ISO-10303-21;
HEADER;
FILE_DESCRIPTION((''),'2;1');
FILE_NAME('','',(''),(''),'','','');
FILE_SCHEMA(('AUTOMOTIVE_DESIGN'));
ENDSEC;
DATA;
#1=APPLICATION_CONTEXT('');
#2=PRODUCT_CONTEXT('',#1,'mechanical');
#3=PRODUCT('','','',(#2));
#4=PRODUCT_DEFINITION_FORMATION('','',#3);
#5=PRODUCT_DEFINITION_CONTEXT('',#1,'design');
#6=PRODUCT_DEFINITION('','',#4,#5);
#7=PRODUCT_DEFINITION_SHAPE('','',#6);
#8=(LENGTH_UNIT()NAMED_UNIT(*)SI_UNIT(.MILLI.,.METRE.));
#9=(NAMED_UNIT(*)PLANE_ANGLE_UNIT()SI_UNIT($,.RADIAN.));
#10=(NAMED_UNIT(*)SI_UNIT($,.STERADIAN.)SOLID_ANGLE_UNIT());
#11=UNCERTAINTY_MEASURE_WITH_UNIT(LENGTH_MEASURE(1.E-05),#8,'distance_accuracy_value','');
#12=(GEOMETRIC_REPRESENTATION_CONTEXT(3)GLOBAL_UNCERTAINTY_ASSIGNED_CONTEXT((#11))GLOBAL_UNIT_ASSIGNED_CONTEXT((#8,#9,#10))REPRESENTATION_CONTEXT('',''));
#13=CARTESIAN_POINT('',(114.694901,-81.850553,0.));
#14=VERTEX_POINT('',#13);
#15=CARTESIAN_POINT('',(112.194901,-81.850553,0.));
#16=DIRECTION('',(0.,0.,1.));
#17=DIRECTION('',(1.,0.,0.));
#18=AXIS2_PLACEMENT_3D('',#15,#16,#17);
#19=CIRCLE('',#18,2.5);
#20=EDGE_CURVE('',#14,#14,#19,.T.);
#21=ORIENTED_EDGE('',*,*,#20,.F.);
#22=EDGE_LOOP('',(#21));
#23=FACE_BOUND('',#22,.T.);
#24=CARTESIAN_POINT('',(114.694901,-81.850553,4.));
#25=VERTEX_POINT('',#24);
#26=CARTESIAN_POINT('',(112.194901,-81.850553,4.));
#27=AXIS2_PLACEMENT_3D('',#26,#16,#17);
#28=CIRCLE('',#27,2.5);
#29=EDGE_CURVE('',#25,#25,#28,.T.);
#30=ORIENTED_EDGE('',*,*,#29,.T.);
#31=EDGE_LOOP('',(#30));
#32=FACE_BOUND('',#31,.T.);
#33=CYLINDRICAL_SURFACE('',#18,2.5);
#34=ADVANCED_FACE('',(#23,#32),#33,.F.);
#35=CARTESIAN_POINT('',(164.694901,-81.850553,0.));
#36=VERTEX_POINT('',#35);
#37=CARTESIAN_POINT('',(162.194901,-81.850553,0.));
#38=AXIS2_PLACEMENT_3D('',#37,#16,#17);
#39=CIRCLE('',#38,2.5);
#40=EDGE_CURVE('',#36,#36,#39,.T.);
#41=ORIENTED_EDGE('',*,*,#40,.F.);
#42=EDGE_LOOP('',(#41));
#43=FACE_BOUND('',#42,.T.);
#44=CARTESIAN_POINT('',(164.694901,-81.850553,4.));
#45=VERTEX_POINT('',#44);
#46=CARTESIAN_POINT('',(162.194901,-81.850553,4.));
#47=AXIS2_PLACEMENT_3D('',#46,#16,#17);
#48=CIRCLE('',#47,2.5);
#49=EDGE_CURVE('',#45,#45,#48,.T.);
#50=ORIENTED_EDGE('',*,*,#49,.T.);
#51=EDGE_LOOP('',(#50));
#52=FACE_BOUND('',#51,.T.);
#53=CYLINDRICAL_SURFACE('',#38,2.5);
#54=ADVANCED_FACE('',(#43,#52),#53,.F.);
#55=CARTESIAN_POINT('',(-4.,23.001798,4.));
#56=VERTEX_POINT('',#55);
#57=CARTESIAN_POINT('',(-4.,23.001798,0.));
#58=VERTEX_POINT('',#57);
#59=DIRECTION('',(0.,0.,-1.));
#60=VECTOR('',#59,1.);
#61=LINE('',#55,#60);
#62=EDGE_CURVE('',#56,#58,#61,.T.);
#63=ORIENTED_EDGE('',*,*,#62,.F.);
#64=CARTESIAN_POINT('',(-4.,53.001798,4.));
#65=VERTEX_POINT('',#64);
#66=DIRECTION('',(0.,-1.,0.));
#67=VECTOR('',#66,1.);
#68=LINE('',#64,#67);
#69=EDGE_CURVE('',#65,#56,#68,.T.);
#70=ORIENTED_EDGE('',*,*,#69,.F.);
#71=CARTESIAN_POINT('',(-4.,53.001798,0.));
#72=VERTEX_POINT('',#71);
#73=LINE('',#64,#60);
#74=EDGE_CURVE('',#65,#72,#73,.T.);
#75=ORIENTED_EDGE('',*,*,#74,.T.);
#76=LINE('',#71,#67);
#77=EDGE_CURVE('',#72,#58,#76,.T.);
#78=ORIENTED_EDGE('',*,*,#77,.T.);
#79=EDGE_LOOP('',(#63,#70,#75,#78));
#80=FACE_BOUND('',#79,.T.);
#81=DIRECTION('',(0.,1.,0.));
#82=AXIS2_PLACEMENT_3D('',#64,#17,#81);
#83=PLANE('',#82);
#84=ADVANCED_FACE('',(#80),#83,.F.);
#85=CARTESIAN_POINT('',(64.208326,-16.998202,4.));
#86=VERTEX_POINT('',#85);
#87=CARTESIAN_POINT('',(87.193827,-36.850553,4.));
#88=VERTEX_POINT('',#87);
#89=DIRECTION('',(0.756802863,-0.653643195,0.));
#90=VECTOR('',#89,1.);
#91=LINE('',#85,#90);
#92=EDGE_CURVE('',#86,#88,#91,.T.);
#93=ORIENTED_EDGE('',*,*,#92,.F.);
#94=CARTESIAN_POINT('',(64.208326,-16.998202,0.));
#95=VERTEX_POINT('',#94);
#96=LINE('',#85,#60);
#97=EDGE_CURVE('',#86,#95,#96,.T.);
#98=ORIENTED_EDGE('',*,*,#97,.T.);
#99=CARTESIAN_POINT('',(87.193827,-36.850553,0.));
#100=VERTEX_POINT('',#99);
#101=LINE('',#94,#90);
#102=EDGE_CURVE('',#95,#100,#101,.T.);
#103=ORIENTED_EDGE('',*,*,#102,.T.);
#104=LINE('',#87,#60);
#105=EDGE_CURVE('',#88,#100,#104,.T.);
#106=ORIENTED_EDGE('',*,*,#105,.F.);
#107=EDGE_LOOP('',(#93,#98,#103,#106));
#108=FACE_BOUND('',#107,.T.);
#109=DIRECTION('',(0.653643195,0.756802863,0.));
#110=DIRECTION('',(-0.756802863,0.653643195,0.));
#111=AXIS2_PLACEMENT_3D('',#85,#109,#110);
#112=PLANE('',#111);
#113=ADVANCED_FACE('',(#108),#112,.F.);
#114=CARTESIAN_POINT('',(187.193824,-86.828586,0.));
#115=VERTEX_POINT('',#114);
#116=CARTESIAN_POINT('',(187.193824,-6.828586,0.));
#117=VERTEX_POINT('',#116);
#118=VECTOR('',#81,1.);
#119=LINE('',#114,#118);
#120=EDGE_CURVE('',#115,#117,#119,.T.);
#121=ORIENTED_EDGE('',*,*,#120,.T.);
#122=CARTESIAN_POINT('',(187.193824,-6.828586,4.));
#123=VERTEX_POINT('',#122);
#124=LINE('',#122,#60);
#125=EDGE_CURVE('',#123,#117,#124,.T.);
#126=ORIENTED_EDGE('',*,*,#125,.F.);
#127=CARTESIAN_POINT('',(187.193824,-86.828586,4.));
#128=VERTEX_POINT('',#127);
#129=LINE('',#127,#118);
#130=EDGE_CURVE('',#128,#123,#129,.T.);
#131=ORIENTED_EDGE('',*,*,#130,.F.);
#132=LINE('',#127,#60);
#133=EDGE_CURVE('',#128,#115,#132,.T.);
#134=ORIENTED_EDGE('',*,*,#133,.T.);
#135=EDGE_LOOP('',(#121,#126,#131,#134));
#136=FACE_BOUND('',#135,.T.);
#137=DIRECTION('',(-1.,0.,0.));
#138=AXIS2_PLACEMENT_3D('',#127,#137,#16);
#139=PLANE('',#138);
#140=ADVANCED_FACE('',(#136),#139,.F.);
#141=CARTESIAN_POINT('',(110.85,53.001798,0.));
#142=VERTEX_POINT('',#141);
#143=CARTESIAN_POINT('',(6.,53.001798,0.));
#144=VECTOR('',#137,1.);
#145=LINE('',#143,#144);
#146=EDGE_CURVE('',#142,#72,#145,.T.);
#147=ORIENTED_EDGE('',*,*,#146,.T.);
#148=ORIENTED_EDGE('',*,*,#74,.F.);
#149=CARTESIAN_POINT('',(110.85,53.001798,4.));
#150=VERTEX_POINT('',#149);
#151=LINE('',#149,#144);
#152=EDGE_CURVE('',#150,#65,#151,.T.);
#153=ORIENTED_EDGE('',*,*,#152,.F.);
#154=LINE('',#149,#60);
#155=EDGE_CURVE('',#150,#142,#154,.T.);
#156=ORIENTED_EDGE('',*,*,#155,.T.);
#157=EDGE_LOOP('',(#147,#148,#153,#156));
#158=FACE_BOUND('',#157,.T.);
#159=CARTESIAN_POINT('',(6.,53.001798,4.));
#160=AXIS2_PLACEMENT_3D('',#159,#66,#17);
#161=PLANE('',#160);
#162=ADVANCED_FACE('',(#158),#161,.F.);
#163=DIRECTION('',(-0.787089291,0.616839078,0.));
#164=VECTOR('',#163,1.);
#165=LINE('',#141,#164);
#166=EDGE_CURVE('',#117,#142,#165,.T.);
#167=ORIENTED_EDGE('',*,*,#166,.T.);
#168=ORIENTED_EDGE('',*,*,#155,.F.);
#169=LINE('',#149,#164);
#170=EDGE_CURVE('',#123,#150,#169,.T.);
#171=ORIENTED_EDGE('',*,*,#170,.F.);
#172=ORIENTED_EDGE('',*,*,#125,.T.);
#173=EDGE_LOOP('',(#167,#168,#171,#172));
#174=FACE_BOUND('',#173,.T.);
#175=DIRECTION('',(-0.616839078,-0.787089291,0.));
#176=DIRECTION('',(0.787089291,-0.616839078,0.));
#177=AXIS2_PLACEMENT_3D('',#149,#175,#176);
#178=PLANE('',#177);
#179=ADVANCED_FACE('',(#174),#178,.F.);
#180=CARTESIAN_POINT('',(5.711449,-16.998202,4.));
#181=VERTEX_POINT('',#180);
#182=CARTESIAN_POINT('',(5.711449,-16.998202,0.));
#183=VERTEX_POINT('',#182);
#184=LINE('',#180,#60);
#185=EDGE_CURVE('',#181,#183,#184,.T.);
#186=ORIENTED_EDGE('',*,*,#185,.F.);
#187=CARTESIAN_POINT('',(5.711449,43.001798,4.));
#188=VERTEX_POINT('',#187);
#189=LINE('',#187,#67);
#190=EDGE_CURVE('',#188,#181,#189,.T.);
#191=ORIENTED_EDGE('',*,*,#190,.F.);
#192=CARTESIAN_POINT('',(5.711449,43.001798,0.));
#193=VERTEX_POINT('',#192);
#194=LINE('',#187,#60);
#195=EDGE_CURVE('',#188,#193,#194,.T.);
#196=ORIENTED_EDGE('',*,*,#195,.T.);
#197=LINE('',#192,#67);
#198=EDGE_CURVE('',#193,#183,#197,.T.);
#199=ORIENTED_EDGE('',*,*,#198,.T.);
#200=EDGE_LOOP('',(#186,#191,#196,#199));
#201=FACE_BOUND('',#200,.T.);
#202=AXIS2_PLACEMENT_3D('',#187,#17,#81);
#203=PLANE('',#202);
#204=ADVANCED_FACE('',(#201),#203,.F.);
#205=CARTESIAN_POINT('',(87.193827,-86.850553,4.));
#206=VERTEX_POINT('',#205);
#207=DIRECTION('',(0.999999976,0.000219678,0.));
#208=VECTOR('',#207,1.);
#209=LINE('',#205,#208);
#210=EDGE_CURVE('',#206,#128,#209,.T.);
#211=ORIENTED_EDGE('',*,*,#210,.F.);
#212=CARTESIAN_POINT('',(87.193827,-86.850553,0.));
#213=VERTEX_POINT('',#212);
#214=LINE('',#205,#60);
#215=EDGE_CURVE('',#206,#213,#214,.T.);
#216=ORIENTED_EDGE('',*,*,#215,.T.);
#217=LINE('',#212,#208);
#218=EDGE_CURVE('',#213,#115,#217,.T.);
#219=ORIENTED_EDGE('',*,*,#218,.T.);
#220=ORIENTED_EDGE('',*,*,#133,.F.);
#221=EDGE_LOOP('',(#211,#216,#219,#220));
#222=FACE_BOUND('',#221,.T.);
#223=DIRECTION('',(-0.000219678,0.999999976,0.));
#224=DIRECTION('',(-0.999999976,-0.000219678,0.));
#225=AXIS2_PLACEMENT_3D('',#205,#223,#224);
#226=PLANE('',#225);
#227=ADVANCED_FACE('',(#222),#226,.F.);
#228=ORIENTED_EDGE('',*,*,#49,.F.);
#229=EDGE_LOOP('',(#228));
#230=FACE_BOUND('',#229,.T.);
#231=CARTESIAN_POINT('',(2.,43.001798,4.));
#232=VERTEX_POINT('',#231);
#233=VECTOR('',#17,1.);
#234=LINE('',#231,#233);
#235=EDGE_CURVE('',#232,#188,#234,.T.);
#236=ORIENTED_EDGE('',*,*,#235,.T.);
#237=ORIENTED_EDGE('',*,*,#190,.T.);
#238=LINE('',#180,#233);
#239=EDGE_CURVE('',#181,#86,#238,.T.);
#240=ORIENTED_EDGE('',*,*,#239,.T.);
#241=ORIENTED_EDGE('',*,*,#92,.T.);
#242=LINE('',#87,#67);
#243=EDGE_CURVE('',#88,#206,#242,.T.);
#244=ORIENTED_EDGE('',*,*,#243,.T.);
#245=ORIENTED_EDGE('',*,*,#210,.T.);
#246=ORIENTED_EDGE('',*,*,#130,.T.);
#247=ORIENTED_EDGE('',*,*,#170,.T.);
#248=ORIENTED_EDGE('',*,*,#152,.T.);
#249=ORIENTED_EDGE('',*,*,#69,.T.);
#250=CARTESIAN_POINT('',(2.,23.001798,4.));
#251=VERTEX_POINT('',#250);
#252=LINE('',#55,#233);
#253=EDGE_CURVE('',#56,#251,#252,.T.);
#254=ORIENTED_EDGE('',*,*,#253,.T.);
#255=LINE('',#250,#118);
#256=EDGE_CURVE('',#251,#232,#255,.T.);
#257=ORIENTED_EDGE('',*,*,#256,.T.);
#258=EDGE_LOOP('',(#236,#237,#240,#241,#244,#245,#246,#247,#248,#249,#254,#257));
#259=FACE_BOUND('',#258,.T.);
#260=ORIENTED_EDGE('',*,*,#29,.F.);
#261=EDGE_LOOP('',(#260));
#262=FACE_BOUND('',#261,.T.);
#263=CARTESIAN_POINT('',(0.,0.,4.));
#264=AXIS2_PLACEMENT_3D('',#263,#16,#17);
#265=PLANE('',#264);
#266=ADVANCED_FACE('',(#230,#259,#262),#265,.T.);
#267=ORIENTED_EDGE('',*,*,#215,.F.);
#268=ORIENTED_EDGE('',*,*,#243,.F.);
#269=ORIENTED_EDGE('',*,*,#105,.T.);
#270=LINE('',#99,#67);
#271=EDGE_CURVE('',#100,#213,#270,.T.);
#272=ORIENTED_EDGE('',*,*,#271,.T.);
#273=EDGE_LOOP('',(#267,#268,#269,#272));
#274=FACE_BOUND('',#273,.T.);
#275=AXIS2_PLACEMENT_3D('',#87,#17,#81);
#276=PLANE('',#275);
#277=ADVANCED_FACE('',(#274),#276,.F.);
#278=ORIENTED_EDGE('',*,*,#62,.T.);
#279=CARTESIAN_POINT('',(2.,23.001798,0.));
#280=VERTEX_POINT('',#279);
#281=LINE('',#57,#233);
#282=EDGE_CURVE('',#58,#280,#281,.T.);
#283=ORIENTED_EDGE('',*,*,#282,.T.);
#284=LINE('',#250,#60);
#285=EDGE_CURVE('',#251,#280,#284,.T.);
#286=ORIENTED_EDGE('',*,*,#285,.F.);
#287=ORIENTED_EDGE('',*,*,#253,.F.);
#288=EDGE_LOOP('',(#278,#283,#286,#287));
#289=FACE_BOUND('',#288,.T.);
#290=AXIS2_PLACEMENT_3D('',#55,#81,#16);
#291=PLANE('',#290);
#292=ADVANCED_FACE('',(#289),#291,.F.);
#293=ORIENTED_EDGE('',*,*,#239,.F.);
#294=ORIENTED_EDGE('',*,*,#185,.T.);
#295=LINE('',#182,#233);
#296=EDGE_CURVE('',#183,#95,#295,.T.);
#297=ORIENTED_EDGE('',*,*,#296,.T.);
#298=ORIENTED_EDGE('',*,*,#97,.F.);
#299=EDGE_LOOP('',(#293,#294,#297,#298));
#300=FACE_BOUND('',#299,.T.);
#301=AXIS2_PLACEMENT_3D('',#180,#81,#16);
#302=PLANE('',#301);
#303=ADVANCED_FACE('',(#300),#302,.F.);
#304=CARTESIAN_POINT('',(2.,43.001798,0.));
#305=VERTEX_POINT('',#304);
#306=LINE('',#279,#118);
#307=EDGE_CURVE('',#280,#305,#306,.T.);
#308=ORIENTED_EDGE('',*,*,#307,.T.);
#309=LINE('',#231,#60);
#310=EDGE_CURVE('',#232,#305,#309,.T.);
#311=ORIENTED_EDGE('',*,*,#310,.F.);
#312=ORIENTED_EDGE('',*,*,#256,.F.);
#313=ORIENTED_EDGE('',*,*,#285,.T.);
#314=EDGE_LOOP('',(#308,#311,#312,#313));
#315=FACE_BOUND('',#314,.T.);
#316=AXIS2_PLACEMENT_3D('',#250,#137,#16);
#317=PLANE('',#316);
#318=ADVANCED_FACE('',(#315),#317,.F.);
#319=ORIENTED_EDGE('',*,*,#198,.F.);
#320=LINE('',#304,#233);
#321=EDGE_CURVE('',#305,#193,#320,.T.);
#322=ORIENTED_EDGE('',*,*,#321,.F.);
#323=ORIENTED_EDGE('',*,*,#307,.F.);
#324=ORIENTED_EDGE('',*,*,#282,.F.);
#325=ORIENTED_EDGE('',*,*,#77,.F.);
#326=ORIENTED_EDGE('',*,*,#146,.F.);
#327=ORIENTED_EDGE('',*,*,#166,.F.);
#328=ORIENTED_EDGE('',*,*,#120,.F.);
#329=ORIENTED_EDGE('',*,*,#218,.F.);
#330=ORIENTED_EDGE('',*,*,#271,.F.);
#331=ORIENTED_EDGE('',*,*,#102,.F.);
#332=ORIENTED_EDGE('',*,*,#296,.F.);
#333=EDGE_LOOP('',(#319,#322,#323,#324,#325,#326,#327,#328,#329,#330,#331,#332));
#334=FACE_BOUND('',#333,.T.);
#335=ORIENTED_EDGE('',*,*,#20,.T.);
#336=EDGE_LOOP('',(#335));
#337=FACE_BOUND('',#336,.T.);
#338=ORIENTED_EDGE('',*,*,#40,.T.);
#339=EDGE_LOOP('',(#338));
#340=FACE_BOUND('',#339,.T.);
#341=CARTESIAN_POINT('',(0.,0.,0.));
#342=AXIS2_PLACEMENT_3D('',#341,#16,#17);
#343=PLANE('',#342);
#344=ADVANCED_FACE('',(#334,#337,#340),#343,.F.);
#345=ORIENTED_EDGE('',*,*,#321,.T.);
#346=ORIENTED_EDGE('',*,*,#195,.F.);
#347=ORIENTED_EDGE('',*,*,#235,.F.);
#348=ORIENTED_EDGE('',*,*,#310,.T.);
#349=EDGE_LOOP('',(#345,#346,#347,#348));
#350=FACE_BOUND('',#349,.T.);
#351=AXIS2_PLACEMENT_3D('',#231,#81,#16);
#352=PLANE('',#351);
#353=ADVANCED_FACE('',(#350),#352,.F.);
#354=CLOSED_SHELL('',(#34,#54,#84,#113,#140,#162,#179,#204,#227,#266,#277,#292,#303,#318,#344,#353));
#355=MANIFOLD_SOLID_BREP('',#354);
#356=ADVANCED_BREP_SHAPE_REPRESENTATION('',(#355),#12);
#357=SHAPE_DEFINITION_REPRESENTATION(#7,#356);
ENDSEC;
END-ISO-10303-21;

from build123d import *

# Parameters (mm, degrees)
EXTRUDE_1_DEPTH     = 4
SKETCH_2_R          = 2.5
CUT_EXTRUDE_1_DEPTH = 5


with BuildPart() as part:
    # Эскиз1 → Бобышка-Вытянуть1 (new body)
    with BuildSketch(Plane.XY):
        Polygon((87.193826731, -36.850553491), (87.193826731, -86.850553491), (187.193824318, -86.828585686), (187.193824318, -6.828585686), (110.85, 53.001797886), (6, 53.001797886), (-4, 53.001797886), (-4, 23.001797886), (2, 23.001797886), (2, 43.001797886), (5.711449025, 43.001797886), (5.711449025, -16.998202114), (64.208325653, -16.998202114), align=None)
    extrude(amount=EXTRUDE_1_DEPTH)

    # Эскиз2 → Вырез-Вытянуть1 (cut, through all)
    with BuildSketch(Plane.XY.offset(4)):
        with Locations((112.19490079, -81.850553491)):
            Circle(SKETCH_2_R)
        with Locations((162.19490079, -81.850553491)):
            Circle(SKETCH_2_R)
    extrude(amount=-CUT_EXTRUDE_1_DEPTH, mode=Mode.SUBTRACT)


solid = part.part
